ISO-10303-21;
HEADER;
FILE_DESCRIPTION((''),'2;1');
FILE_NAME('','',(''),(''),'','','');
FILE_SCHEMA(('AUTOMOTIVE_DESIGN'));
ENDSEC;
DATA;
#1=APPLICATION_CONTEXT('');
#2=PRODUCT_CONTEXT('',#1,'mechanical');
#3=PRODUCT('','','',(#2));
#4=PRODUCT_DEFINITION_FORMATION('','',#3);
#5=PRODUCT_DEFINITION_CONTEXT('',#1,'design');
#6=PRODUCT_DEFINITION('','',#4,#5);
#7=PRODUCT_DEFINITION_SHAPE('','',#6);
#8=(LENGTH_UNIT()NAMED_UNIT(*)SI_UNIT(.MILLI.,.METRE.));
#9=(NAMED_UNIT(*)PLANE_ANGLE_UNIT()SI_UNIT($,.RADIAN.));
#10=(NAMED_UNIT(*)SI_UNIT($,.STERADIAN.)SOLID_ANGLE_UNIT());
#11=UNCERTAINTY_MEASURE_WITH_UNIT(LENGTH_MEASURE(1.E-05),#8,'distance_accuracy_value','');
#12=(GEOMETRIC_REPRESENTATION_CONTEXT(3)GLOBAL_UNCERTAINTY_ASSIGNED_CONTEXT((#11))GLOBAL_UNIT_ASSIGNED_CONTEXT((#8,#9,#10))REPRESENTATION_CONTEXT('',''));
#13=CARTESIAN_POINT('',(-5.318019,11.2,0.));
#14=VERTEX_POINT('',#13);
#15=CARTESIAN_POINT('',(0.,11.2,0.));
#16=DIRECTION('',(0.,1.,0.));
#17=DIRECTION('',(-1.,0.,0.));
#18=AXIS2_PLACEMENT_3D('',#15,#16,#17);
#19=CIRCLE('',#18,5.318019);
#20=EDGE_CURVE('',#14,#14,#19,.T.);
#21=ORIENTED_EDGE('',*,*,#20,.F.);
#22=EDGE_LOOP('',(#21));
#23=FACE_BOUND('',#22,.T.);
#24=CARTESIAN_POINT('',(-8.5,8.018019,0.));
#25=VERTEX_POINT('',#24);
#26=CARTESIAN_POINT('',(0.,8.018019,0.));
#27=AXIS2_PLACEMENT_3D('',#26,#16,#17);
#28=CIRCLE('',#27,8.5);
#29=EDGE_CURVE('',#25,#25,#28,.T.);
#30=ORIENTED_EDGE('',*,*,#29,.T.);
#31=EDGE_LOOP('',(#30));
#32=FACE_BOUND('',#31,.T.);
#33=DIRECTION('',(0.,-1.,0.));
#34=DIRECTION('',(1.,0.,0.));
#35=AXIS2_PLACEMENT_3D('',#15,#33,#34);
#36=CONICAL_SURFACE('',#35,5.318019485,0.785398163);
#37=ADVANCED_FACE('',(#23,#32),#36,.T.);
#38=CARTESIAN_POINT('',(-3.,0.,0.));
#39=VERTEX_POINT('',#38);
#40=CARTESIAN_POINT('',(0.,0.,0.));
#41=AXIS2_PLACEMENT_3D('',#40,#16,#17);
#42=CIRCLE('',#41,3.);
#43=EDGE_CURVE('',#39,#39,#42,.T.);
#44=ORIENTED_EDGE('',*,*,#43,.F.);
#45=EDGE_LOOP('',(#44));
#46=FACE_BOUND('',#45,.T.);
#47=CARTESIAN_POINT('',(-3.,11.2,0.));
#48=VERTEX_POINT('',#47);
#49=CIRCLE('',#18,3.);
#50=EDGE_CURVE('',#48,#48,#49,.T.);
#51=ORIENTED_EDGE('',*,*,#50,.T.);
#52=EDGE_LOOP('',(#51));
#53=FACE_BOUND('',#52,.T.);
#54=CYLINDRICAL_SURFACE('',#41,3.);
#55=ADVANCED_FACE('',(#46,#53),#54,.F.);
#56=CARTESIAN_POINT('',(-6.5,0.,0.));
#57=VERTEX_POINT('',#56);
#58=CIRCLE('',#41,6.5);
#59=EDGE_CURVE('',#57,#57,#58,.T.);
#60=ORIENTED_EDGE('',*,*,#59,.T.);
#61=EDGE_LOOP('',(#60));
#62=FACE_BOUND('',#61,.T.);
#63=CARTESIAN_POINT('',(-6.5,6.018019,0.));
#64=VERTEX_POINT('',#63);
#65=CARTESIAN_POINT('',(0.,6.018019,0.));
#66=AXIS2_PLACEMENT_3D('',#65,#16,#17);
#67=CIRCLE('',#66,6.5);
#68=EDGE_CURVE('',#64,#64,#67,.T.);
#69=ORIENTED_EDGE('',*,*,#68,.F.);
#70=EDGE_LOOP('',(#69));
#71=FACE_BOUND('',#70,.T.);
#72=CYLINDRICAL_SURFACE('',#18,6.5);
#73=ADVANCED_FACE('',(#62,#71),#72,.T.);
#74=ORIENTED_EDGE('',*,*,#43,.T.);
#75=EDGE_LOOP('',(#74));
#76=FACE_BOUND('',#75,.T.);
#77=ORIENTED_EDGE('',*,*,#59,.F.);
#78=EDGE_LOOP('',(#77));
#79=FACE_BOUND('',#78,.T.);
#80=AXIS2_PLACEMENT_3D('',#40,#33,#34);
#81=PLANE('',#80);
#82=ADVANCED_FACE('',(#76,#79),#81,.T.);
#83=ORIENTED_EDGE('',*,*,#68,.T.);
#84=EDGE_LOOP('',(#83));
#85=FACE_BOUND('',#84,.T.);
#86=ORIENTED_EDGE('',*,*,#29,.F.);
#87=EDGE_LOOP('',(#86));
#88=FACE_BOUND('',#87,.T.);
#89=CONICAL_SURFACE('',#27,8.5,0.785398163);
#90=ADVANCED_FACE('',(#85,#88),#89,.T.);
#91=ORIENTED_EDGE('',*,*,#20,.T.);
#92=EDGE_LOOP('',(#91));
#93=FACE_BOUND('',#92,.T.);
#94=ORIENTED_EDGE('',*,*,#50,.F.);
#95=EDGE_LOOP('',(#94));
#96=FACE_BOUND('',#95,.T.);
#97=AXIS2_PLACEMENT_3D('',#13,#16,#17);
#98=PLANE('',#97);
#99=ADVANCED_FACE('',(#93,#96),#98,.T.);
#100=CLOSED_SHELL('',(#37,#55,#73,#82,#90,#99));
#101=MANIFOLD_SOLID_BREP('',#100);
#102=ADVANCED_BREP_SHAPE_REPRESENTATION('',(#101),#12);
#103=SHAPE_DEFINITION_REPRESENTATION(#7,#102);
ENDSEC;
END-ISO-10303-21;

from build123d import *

# Parameters (mm, degrees)
ESQUISSE2_R             = 3
ENL_V_MAT_EXTRU_1_DEPTH = 17.429850882


with BuildPart() as part:
    # Esquisse1 → Révolution1 (revolve)
    with BuildSketch(Plane.XY):
        Polygon((0, 0), (-6.5, 0), (-6.5, 6.018019485), (-8.5, 8.018019485), (-5.318019485, 11.2), (0, 11.2), align=None)
    revolve(axis=Axis((0, 11.2, 0), (0, -1, 0)))

    # Esquisse2 → Enlèv. mat.-Extru.1 (cut, through all)
    with BuildSketch(Plane(origin=(0, 11.2, 0), x_dir=(1, 0, 0), z_dir=(0, 1, 0))):
        with Locations(Location((0, 0, 0), (0, 0, 180))):
            Circle(ESQUISSE2_R)
    extrude(amount=-ENL_V_MAT_EXTRU_1_DEPTH, mode=Mode.SUBTRACT)


solid = part.part
